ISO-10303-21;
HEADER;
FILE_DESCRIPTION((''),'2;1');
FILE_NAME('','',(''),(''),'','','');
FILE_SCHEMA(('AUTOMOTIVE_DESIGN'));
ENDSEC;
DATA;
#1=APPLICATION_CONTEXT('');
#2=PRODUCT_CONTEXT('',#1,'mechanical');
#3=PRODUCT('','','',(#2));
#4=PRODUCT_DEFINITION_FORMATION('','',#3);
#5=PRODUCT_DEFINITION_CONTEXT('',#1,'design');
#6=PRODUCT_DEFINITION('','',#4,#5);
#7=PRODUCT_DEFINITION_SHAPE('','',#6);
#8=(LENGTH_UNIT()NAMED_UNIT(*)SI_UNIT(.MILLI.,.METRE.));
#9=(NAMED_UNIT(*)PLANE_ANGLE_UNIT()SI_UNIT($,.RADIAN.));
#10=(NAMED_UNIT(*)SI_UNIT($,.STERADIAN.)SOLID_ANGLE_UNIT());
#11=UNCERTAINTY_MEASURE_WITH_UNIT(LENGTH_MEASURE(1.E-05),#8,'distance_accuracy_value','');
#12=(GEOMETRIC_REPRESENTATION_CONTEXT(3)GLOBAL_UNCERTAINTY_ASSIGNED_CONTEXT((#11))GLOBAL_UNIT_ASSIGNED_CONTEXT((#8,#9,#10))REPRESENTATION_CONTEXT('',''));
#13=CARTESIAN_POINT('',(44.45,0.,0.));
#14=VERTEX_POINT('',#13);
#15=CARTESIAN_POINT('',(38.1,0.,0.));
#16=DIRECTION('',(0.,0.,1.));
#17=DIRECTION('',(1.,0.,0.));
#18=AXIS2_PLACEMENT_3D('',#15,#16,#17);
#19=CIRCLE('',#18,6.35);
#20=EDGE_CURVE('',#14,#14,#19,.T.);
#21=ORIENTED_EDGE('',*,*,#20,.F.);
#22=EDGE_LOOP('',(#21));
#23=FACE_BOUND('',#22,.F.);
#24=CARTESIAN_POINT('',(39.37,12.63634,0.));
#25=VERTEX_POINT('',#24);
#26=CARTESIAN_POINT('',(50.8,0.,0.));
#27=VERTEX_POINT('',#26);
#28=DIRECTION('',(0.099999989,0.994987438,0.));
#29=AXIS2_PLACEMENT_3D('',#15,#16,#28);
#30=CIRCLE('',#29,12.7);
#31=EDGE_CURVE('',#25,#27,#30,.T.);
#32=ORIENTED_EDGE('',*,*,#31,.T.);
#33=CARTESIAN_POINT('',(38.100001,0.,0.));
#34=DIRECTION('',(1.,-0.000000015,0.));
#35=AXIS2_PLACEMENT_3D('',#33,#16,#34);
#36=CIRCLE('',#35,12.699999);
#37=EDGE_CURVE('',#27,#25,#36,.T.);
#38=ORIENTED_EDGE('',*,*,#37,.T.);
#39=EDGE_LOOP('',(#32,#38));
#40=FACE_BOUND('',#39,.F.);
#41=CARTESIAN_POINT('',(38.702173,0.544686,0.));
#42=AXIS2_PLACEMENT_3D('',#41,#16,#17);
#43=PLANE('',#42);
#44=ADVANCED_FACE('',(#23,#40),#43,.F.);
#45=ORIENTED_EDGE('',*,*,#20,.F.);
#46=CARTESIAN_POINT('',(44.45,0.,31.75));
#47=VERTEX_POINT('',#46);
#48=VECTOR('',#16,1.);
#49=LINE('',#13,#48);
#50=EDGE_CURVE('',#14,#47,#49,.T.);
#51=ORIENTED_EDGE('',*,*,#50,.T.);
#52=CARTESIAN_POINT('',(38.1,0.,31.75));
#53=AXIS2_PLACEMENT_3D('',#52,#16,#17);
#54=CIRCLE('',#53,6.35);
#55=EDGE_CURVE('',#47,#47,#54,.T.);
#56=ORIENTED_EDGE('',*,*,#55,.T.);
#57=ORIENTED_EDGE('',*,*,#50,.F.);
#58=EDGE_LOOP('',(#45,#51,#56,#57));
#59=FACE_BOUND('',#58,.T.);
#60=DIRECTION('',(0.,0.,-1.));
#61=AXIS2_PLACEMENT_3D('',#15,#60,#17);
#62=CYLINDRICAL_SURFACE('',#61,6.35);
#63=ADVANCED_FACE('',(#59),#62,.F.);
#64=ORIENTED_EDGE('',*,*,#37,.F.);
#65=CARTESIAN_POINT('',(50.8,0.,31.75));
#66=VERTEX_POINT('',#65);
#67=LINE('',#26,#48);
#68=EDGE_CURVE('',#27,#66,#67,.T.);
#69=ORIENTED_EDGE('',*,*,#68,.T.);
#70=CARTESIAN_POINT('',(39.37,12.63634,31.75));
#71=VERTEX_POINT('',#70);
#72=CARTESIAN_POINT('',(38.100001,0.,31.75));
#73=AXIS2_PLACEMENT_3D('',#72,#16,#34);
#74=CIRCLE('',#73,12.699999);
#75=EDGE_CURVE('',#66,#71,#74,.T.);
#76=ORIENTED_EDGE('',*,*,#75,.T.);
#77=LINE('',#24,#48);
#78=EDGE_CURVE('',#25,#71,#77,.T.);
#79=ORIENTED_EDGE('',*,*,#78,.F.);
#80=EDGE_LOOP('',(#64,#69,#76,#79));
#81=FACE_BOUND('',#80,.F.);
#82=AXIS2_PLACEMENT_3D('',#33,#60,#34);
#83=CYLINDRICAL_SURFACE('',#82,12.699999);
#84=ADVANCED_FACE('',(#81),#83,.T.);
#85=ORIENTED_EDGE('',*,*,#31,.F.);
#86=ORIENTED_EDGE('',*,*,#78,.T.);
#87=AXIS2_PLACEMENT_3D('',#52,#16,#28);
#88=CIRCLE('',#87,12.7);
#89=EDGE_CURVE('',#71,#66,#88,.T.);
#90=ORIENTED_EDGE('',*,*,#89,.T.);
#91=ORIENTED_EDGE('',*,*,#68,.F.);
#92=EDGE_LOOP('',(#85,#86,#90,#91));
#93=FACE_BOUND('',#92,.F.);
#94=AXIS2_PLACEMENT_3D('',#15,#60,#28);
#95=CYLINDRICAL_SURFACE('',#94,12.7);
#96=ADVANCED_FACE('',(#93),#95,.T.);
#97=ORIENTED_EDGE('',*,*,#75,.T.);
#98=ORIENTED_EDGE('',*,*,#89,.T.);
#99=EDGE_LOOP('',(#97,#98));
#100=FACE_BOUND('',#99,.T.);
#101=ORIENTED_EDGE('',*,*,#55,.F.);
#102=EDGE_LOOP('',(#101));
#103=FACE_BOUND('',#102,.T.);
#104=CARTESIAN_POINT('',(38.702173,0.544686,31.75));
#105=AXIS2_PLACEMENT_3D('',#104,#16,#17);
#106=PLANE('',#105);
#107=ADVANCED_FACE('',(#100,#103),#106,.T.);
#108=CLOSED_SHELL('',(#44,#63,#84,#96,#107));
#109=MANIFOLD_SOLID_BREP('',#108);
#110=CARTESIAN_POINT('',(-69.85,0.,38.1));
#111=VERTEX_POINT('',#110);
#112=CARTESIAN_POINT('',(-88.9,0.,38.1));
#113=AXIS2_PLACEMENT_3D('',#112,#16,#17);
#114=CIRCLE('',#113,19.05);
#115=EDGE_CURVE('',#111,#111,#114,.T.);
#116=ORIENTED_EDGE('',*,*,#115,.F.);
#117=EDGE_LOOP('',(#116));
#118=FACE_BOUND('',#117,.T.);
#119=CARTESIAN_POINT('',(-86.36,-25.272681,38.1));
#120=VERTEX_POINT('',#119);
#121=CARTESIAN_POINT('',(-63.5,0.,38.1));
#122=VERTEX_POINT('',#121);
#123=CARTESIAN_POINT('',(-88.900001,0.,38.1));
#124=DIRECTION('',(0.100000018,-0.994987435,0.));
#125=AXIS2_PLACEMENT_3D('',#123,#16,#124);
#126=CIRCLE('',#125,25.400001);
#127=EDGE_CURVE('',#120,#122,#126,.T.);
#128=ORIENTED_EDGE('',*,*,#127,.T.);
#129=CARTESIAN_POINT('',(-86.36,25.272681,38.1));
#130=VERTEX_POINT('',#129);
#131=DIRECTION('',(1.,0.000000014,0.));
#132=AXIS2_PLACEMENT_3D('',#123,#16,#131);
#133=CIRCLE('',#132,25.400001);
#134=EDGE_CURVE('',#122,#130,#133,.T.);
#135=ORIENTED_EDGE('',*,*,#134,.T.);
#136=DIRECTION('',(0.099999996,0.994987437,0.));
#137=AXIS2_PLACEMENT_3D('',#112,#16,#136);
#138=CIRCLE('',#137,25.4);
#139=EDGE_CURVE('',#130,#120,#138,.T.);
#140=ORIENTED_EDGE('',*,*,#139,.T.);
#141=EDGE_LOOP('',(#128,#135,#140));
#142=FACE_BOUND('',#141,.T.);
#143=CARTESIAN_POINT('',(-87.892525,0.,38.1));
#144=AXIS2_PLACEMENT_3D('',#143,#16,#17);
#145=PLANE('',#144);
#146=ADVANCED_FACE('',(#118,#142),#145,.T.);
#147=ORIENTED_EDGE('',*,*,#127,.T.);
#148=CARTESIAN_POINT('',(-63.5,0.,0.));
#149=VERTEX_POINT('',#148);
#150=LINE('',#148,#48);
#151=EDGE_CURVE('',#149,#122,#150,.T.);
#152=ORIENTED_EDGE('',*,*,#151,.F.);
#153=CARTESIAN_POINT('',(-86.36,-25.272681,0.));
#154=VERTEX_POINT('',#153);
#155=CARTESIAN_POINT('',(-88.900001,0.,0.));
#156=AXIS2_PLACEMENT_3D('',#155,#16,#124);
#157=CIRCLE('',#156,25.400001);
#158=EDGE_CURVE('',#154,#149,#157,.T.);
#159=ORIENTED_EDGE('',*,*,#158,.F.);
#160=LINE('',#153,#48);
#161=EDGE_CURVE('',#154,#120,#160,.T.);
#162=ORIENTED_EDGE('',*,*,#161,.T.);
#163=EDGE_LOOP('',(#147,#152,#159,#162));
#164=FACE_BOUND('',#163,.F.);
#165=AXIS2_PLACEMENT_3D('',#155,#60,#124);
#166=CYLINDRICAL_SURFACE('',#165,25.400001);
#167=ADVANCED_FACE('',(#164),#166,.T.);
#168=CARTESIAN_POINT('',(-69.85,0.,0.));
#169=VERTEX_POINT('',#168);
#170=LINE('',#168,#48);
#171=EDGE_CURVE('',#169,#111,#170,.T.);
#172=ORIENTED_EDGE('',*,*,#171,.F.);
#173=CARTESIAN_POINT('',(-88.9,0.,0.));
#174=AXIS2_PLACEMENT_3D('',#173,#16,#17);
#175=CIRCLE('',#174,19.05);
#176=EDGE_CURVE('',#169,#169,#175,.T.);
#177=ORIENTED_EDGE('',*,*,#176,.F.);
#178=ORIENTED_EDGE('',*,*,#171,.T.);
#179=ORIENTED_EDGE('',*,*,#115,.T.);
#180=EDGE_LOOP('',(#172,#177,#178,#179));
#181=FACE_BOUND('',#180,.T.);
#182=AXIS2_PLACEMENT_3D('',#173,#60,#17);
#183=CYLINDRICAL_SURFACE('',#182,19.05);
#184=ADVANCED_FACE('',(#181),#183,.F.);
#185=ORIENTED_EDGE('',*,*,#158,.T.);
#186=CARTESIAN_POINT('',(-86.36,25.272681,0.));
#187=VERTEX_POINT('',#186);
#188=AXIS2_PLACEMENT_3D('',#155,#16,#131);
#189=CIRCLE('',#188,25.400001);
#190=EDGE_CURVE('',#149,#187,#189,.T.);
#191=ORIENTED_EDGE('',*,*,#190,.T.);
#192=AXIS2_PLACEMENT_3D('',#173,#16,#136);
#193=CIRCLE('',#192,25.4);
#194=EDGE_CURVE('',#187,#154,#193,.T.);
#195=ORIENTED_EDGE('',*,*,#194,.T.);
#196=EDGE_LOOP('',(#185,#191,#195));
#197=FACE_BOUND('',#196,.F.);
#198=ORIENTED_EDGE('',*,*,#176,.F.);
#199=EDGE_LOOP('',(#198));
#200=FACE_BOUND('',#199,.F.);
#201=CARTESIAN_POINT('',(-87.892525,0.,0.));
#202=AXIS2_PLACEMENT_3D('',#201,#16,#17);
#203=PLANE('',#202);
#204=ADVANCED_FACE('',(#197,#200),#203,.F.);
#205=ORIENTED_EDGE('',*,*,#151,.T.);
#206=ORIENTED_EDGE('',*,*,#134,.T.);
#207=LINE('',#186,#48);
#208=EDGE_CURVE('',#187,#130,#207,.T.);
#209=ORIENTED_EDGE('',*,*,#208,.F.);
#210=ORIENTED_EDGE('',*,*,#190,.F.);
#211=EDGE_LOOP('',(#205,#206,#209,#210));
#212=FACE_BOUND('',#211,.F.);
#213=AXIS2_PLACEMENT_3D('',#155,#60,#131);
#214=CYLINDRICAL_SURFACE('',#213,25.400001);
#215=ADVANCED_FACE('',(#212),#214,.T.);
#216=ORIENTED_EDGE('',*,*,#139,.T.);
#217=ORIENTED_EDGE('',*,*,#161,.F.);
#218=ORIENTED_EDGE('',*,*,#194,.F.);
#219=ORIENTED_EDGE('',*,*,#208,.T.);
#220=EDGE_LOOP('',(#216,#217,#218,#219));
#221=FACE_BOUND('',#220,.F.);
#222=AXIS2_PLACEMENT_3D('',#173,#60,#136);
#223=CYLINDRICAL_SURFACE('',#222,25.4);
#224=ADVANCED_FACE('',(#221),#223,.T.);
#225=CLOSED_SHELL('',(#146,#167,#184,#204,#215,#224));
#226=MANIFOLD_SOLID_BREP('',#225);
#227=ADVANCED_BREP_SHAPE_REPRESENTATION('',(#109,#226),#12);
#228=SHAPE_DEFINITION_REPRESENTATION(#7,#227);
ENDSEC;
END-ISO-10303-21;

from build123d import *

# Parameters (mm, degrees)
F0_R     = 19.05
F1_DEPTH = 38.1
F0_R_2   = 6.35
F2_DEPTH = 31.75


with BuildPart() as f1:
    # F0 (on Top) → F1 (new body)
    with BuildSketch(Plane.XY):
        with BuildLine():
            ThreePointArc((-86.36, -25.272681), (-70.062856, -17.038838), (-63.5, 0))
            ThreePointArc((-63.5, 0), (-70.062856, 17.038838), (-86.36, 25.272681))
            ThreePointArc((-86.36, 25.272681), (-114.3, 0), (-86.36, -25.272681))
        make_face()
        with Locations((-88.9, 0)):
            Circle(F0_R, mode=Mode.SUBTRACT)
    extrude(amount=F1_DEPTH)


with BuildPart() as f2:
    # F0 (on Top) → F2 (new body)
    with BuildSketch(Plane.XY):
        with BuildLine():
            ThreePointArc((50.8, 0), (47.518572, 8.519419), (39.37, 12.63634))
            ThreePointArc((39.37, 12.63634), (28.681428, -8.519419), (50.8, 0))
        make_face()
        with Locations((38.1, 0)):
            Circle(F0_R_2, mode=Mode.SUBTRACT)
    extrude(amount=F2_DEPTH)


solid = Compound([f1.part, f2.part])
